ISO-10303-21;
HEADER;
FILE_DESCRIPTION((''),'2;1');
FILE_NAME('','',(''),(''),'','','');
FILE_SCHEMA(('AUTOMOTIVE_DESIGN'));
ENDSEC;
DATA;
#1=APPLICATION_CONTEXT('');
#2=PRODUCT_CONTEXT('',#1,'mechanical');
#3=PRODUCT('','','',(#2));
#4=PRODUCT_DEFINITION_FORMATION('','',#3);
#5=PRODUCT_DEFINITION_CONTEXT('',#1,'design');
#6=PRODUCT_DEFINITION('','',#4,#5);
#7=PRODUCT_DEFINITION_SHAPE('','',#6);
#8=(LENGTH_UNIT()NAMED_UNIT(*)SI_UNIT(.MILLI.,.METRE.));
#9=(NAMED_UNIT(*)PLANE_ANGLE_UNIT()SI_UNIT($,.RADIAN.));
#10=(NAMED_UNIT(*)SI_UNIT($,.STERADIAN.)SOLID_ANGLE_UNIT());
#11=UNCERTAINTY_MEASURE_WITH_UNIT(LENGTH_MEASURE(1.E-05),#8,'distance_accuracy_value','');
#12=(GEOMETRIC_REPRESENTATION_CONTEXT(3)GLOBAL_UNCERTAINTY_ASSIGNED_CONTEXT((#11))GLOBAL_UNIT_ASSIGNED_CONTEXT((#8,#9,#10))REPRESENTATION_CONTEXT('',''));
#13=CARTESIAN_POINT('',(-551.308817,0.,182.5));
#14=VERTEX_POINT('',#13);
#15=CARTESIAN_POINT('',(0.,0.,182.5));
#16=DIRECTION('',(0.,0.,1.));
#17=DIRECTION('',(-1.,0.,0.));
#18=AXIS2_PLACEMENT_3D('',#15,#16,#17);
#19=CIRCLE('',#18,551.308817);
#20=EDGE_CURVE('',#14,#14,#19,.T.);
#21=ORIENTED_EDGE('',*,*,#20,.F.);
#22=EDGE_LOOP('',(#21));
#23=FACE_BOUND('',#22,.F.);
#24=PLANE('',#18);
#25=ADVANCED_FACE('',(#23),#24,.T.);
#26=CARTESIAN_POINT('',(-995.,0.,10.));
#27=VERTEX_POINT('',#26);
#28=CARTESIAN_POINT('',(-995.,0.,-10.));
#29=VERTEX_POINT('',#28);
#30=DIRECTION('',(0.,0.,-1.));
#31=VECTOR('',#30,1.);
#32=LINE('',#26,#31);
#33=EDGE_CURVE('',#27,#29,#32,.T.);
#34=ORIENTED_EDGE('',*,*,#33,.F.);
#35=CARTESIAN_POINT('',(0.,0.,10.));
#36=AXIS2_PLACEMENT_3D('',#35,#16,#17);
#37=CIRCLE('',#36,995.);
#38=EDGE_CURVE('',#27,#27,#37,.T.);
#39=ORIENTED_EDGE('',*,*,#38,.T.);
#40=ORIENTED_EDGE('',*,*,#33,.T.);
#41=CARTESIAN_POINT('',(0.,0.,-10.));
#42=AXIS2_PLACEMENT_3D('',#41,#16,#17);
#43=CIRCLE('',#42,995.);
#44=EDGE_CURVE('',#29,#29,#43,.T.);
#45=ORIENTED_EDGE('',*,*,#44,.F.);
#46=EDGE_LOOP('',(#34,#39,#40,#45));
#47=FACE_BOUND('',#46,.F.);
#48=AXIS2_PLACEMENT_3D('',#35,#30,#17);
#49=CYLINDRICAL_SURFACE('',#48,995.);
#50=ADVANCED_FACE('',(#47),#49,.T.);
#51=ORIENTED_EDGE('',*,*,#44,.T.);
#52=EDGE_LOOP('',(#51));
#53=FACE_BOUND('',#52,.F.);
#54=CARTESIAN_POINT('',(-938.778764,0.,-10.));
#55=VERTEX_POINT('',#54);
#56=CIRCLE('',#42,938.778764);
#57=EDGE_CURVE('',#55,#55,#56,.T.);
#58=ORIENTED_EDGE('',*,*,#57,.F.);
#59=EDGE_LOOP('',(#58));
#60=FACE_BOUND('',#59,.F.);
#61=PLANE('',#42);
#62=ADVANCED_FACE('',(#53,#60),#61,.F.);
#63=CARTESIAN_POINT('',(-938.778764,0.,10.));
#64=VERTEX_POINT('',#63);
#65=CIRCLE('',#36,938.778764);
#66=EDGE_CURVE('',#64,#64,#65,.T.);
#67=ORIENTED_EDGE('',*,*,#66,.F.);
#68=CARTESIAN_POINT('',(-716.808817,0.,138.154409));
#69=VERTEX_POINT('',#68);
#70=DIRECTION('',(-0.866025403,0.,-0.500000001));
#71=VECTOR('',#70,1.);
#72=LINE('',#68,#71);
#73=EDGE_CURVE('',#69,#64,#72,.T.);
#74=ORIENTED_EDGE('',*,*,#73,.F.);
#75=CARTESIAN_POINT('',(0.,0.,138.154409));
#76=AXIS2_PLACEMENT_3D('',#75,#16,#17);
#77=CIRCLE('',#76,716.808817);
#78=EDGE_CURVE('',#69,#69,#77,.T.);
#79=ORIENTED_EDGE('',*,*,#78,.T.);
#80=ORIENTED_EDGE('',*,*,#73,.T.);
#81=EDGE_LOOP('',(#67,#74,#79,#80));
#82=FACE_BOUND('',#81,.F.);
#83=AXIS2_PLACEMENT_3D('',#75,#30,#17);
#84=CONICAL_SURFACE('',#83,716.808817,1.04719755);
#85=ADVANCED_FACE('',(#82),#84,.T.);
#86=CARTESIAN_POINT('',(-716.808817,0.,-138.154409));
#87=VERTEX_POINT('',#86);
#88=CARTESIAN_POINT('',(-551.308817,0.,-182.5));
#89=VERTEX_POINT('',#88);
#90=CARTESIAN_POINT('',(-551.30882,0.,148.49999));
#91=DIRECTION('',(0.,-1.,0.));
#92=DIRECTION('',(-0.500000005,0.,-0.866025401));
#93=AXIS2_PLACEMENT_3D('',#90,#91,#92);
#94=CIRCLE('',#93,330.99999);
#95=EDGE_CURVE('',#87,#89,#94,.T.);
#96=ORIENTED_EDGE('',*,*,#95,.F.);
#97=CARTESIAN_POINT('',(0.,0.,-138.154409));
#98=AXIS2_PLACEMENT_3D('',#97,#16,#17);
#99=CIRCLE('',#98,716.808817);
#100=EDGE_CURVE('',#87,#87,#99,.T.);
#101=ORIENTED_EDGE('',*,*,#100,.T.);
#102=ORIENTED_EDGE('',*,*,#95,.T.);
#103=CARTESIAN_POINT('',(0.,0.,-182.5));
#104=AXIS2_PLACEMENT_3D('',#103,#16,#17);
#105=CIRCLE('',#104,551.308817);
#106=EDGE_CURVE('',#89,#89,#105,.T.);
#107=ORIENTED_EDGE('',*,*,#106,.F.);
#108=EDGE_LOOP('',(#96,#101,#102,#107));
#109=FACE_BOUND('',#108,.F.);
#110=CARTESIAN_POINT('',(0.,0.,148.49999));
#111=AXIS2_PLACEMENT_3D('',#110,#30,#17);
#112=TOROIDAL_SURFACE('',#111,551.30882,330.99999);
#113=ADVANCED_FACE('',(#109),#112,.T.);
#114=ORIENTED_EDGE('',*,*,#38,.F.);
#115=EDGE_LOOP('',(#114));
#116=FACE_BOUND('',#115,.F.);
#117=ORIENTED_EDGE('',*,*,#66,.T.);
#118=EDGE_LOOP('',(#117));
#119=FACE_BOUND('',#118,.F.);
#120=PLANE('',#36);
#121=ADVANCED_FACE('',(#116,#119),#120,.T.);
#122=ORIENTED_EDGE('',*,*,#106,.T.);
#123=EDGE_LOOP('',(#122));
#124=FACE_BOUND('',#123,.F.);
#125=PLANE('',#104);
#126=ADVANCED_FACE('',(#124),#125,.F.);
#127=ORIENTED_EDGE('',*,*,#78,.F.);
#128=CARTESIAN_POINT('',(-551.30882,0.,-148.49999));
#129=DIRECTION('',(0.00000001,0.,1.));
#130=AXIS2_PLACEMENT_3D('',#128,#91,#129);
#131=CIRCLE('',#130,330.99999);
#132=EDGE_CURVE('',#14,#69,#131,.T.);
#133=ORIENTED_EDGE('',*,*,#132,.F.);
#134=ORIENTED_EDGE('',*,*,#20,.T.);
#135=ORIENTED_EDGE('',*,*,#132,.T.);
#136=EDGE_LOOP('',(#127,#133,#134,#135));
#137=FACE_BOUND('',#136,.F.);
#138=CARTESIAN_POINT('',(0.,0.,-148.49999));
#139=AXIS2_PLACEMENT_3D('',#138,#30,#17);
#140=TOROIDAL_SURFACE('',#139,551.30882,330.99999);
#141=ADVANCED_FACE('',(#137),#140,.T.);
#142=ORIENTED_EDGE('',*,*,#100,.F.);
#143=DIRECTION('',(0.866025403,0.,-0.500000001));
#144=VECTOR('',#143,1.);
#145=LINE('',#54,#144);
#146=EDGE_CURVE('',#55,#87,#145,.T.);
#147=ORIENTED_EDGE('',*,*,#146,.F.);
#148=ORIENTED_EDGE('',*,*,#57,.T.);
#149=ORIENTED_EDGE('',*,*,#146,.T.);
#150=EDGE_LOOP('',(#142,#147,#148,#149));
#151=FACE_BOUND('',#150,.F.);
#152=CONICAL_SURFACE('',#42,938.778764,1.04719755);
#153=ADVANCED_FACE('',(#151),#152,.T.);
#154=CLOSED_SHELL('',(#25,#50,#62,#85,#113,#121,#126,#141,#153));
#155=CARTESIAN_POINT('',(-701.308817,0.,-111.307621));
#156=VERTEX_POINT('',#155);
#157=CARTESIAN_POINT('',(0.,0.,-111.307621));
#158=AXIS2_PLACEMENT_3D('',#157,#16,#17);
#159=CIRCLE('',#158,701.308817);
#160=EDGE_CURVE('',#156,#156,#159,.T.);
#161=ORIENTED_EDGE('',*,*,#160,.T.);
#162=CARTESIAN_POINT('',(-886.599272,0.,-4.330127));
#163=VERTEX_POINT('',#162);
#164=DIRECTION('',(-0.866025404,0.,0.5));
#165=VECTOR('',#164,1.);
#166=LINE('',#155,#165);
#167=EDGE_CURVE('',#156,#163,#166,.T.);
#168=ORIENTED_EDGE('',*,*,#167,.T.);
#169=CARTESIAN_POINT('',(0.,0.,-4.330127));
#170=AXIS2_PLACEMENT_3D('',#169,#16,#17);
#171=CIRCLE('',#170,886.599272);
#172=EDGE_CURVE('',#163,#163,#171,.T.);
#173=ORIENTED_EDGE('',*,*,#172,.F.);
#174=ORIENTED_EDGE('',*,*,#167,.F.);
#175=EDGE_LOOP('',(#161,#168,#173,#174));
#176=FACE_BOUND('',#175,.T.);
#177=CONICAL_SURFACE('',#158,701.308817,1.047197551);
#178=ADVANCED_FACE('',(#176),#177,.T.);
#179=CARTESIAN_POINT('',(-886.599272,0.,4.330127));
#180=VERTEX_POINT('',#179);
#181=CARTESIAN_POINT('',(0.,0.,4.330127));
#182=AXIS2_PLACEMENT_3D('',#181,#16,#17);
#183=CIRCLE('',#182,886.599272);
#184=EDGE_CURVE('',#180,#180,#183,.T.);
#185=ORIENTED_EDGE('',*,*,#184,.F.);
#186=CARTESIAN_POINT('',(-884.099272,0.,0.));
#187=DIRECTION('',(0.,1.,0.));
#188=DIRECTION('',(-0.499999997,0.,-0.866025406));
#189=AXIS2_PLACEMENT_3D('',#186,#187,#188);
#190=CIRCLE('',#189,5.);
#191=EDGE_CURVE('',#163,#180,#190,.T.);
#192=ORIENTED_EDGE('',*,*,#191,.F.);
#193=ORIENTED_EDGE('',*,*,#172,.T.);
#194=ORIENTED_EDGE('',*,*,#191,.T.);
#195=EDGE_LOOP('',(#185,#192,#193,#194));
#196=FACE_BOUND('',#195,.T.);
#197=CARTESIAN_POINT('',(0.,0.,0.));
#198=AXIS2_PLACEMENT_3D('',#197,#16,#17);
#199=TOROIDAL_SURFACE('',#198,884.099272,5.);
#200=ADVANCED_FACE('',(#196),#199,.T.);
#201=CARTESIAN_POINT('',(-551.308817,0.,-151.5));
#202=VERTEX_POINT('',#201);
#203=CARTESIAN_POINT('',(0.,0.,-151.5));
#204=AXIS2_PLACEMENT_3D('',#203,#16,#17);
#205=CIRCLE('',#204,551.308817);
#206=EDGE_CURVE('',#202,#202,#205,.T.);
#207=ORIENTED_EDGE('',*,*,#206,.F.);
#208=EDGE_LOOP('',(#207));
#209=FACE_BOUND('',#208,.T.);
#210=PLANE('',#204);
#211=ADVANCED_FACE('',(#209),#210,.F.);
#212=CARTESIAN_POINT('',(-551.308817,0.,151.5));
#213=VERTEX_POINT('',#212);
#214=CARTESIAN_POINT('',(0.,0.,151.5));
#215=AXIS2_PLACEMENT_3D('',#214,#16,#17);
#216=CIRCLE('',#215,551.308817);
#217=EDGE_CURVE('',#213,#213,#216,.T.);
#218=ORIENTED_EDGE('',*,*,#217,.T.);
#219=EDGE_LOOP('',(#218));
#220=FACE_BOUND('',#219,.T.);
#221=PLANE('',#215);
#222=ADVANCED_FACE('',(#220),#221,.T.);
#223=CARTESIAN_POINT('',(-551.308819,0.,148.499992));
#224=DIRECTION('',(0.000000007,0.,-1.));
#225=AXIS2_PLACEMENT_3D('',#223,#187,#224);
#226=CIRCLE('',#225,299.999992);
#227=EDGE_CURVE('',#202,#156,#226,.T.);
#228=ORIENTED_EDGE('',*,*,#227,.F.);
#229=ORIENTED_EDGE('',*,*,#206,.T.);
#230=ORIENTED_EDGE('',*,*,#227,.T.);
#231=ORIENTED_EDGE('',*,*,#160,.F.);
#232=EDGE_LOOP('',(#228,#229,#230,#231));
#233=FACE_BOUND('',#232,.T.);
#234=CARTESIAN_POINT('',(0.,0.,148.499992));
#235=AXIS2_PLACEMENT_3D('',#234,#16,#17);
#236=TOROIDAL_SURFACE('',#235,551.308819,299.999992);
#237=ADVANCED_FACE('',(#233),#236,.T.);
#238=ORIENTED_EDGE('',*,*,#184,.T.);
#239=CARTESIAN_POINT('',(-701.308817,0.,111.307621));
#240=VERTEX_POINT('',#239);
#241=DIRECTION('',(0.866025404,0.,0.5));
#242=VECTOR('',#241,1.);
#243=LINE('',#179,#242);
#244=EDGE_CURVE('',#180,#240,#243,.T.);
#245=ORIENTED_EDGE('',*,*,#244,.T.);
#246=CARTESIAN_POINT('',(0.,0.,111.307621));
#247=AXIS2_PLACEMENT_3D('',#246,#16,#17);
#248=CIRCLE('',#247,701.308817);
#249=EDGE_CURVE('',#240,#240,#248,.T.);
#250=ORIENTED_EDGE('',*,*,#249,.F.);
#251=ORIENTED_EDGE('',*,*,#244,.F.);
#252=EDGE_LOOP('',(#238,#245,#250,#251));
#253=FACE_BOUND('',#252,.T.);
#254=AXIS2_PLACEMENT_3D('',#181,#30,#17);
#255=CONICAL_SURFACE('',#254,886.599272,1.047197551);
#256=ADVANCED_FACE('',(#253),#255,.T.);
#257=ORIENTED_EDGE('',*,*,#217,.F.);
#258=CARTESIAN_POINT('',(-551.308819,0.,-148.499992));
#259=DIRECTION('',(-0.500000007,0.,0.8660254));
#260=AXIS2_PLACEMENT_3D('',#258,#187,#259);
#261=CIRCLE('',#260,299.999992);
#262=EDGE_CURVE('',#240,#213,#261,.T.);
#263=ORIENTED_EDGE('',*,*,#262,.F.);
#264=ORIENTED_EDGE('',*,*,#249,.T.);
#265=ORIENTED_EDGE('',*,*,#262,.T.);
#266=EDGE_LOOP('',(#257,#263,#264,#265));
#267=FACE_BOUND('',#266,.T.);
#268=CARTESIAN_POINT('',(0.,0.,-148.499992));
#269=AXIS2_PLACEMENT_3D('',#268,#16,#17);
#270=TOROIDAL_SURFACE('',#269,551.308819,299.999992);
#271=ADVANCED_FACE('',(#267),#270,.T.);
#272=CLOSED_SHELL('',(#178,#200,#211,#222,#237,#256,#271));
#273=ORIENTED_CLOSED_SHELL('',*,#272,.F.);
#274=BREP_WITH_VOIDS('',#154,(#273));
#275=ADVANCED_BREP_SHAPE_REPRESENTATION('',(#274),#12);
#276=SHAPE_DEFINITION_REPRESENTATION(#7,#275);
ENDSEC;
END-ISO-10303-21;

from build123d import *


with BuildPart() as f2:
    # F0 (on Front) → F2 (revolve)
    with BuildSketch(Plane.XZ):
        with BuildLine():
            Line((-995, 10), (-995, 0))
            Line((-995, 0), (-995, -10))
            Line((-995, -10), (-938.778764, -10))
            Line((-938.778764, -10), (-716.808817, -138.154409))
            ThreePointArc((-716.808817, -138.154409), (-636.977921, -171.221449), (-551.308817, -182.5))
            Line((-551.308817, -182.5), (0, -182.5))
            Line((0, -182.5), (0, -151.5))
            Line((0, -151.5), (-551.308817, -151.5))
            ThreePointArc((-551.308817, -151.5), (-628.954531, -141.277748), (-701.308817, -111.307621))
            Line((-701.308817, -111.307621), (-886.599272, -4.330127))
            ThreePointArc((-886.599272, -4.330127), (-889.099272, 0), (-886.599272, 4.330127))
            Line((-886.599272, 4.330127), (-701.308817, 111.307621))
            ThreePointArc((-701.308817, 111.307621), (-628.954531, 141.277748), (-551.308817, 151.5))
            Line((-551.308817, 151.5), (0, 151.5))
            Line((0, 151.5), (0, 182.5))
            Line((0, 182.5), (-551.308817, 182.5))
            ThreePointArc((-551.308817, 182.5), (-636.977921, 171.221449), (-716.808817, 138.154409))
            Line((-716.808817, 138.154409), (-938.778764, 10))
            Line((-938.778764, 10), (-995, 10))
        make_face()
    revolve(axis=Axis((0, 0, 234.131545), (0, 0, 1)))


solid = f2.part
